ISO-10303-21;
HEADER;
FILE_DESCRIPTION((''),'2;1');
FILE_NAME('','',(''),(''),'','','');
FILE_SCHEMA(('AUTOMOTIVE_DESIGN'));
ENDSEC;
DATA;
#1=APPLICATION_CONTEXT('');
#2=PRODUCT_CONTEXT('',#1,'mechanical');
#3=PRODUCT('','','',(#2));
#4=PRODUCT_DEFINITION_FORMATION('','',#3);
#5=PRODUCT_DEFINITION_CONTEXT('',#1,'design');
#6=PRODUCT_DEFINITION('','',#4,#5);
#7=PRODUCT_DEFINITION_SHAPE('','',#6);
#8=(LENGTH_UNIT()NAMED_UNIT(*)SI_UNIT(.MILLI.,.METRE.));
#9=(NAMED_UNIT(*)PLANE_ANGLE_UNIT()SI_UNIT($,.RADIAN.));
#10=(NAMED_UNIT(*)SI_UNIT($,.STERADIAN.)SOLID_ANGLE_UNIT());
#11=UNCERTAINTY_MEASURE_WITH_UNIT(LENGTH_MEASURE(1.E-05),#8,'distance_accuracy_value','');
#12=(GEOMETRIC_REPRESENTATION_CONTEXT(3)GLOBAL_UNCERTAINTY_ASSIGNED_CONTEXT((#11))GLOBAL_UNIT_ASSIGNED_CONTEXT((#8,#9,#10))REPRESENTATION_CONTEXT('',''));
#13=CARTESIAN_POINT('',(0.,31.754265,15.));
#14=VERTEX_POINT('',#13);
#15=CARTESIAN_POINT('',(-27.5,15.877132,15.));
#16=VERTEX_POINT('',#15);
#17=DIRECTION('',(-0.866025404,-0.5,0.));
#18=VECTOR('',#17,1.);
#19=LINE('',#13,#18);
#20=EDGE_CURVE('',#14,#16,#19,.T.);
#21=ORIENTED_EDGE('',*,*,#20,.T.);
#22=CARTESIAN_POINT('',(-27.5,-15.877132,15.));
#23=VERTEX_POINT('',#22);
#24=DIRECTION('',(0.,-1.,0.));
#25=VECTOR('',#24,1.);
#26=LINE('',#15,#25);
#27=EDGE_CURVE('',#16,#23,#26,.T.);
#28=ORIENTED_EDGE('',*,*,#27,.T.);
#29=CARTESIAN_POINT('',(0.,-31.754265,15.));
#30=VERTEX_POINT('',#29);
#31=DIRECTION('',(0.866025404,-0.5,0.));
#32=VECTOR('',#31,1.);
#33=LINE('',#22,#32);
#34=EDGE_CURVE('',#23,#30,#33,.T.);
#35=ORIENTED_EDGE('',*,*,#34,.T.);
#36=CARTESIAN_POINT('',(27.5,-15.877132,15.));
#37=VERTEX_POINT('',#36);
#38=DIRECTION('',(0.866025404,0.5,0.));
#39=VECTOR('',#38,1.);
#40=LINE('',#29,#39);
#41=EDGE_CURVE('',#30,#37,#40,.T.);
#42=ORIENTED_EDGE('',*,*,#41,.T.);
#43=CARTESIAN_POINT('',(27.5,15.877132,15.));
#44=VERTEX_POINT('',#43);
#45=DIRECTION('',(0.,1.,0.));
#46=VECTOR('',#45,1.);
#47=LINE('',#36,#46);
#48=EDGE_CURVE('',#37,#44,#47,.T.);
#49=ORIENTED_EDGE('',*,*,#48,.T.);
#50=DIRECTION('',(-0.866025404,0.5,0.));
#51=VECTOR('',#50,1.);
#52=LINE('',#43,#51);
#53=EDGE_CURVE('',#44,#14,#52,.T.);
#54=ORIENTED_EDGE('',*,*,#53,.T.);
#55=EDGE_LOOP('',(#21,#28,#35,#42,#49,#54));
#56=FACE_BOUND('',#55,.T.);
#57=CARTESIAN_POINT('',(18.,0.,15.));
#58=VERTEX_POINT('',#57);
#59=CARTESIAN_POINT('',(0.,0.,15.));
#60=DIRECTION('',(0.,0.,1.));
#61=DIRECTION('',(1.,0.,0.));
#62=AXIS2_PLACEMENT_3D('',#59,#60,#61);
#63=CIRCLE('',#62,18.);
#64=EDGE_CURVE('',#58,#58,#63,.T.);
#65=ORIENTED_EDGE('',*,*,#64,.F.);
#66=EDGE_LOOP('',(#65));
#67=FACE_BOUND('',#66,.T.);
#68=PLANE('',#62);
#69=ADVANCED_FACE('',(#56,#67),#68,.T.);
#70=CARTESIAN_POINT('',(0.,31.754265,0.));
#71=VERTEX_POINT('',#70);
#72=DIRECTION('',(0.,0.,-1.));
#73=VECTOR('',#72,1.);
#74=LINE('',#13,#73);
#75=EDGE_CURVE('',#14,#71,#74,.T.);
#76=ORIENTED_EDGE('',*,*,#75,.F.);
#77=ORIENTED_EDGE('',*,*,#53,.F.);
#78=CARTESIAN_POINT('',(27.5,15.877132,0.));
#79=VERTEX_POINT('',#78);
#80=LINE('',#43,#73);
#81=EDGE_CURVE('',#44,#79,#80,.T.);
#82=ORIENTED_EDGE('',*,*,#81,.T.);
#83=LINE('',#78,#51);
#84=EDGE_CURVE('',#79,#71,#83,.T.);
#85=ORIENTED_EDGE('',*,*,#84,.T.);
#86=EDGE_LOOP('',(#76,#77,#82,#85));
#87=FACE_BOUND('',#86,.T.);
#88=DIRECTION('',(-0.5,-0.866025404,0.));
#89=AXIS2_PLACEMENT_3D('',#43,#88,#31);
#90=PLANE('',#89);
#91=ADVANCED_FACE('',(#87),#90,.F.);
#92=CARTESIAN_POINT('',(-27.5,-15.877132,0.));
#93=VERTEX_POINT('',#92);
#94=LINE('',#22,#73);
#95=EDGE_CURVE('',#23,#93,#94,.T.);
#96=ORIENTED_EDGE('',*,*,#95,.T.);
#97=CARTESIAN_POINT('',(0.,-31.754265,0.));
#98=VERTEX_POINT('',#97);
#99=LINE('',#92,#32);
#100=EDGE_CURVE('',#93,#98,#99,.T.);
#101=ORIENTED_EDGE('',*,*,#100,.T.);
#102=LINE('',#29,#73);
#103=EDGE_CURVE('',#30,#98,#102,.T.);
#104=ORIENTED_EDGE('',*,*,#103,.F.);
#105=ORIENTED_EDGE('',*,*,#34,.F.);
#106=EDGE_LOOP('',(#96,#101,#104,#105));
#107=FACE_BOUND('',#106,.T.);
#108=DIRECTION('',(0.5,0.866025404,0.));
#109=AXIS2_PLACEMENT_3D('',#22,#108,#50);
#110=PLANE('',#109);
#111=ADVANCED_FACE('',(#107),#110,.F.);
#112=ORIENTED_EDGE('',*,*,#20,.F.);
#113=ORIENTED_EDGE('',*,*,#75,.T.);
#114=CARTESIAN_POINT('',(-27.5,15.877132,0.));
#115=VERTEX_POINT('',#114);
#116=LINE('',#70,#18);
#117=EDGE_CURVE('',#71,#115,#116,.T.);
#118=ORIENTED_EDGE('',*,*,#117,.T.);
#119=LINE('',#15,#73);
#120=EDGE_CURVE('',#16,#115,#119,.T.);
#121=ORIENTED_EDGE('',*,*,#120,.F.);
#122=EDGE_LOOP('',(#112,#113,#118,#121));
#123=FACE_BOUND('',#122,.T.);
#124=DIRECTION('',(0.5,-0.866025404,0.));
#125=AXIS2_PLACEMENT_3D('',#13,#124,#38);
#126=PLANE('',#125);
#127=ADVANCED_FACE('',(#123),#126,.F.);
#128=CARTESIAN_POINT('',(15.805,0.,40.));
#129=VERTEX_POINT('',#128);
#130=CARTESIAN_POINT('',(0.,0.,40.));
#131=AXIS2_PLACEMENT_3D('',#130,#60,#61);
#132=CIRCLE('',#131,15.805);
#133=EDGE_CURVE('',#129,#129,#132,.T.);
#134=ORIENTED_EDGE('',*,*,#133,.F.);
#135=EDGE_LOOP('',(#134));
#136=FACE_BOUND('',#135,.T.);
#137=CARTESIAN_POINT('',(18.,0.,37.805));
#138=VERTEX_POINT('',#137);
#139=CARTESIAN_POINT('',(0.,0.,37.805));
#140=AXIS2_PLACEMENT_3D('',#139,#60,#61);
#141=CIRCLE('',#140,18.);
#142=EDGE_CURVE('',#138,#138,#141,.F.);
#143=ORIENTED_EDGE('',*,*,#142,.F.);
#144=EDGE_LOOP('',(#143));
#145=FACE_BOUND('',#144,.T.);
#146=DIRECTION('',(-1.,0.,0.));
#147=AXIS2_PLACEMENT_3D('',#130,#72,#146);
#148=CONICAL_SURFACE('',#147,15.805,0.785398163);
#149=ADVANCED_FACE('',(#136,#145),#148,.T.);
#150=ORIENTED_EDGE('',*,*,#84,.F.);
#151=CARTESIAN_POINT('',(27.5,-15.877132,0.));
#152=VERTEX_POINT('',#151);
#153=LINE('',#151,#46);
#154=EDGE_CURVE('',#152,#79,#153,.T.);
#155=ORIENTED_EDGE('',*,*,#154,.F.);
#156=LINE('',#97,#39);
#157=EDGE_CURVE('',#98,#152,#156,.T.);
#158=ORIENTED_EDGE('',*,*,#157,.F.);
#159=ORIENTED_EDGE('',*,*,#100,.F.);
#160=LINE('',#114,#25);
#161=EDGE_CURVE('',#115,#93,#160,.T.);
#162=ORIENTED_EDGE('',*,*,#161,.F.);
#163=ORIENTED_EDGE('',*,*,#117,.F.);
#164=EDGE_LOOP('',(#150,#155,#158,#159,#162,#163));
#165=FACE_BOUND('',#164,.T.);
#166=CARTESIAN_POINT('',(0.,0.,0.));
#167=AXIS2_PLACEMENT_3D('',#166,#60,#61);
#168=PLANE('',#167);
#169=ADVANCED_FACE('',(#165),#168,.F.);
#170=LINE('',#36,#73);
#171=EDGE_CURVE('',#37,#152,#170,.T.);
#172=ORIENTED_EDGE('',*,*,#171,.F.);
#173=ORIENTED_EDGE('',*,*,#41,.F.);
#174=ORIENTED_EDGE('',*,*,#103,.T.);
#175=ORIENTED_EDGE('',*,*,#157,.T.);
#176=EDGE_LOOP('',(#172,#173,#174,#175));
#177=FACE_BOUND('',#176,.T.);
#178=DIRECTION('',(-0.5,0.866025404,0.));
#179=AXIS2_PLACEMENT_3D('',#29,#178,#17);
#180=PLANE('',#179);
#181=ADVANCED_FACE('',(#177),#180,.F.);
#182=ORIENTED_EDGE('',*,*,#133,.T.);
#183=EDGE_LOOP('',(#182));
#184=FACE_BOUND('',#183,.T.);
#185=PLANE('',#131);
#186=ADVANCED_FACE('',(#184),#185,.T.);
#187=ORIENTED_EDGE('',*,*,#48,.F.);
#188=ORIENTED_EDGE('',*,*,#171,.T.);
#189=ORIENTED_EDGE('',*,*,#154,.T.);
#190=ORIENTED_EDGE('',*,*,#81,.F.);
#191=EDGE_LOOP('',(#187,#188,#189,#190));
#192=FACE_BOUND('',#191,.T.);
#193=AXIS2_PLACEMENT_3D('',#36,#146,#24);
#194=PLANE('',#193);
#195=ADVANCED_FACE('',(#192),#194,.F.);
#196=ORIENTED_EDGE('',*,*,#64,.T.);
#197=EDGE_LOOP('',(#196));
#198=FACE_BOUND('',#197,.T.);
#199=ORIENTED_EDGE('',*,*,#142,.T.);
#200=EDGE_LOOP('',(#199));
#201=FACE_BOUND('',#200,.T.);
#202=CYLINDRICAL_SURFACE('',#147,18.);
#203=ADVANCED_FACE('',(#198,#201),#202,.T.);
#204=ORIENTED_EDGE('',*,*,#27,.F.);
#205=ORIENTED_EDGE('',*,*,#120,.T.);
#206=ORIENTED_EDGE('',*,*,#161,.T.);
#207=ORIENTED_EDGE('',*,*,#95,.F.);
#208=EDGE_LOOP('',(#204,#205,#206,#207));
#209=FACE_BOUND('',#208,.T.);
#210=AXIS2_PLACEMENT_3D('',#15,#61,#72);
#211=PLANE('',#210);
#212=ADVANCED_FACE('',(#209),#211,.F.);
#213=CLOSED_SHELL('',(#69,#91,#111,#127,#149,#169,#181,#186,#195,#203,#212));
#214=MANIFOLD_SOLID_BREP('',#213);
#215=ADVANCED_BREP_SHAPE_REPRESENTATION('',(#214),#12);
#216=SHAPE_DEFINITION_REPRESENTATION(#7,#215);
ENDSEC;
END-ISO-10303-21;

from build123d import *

# Parameters (mm, degrees)
EXTRUDE_1_DEPTH = 15
SKETCH_2_R      = 18
EXTRUDE_2_DEPTH = 25
CHAMFER_1_SIZE  = 2.195


with BuildPart() as part:
    # Эскиз1 → Бобышка-Вытянуть1 (new body)
    with BuildSketch(Plane.XY):
        Polygon((0, 31.754264805), (-27.5, 15.877132403), (-27.5, -15.877132403), (0, -31.754264805), (27.5, -15.877132403), (27.5, 15.877132403), align=None)
    extrude(amount=EXTRUDE_1_DEPTH)

    # Эскиз2 → Бобышка-Вытянуть2 (add)
    with BuildSketch(Plane.XY.offset(15)):
        Circle(SKETCH_2_R)
    extrude(amount=EXTRUDE_2_DEPTH)

    # Фаска1
    chamfer_1_edges = [part.edges().sort_by_distance(p)[0] for p in [
        (-18, 0, 40),
    ]]
    chamfer(chamfer_1_edges, length=CHAMFER_1_SIZE)


solid = part.part
